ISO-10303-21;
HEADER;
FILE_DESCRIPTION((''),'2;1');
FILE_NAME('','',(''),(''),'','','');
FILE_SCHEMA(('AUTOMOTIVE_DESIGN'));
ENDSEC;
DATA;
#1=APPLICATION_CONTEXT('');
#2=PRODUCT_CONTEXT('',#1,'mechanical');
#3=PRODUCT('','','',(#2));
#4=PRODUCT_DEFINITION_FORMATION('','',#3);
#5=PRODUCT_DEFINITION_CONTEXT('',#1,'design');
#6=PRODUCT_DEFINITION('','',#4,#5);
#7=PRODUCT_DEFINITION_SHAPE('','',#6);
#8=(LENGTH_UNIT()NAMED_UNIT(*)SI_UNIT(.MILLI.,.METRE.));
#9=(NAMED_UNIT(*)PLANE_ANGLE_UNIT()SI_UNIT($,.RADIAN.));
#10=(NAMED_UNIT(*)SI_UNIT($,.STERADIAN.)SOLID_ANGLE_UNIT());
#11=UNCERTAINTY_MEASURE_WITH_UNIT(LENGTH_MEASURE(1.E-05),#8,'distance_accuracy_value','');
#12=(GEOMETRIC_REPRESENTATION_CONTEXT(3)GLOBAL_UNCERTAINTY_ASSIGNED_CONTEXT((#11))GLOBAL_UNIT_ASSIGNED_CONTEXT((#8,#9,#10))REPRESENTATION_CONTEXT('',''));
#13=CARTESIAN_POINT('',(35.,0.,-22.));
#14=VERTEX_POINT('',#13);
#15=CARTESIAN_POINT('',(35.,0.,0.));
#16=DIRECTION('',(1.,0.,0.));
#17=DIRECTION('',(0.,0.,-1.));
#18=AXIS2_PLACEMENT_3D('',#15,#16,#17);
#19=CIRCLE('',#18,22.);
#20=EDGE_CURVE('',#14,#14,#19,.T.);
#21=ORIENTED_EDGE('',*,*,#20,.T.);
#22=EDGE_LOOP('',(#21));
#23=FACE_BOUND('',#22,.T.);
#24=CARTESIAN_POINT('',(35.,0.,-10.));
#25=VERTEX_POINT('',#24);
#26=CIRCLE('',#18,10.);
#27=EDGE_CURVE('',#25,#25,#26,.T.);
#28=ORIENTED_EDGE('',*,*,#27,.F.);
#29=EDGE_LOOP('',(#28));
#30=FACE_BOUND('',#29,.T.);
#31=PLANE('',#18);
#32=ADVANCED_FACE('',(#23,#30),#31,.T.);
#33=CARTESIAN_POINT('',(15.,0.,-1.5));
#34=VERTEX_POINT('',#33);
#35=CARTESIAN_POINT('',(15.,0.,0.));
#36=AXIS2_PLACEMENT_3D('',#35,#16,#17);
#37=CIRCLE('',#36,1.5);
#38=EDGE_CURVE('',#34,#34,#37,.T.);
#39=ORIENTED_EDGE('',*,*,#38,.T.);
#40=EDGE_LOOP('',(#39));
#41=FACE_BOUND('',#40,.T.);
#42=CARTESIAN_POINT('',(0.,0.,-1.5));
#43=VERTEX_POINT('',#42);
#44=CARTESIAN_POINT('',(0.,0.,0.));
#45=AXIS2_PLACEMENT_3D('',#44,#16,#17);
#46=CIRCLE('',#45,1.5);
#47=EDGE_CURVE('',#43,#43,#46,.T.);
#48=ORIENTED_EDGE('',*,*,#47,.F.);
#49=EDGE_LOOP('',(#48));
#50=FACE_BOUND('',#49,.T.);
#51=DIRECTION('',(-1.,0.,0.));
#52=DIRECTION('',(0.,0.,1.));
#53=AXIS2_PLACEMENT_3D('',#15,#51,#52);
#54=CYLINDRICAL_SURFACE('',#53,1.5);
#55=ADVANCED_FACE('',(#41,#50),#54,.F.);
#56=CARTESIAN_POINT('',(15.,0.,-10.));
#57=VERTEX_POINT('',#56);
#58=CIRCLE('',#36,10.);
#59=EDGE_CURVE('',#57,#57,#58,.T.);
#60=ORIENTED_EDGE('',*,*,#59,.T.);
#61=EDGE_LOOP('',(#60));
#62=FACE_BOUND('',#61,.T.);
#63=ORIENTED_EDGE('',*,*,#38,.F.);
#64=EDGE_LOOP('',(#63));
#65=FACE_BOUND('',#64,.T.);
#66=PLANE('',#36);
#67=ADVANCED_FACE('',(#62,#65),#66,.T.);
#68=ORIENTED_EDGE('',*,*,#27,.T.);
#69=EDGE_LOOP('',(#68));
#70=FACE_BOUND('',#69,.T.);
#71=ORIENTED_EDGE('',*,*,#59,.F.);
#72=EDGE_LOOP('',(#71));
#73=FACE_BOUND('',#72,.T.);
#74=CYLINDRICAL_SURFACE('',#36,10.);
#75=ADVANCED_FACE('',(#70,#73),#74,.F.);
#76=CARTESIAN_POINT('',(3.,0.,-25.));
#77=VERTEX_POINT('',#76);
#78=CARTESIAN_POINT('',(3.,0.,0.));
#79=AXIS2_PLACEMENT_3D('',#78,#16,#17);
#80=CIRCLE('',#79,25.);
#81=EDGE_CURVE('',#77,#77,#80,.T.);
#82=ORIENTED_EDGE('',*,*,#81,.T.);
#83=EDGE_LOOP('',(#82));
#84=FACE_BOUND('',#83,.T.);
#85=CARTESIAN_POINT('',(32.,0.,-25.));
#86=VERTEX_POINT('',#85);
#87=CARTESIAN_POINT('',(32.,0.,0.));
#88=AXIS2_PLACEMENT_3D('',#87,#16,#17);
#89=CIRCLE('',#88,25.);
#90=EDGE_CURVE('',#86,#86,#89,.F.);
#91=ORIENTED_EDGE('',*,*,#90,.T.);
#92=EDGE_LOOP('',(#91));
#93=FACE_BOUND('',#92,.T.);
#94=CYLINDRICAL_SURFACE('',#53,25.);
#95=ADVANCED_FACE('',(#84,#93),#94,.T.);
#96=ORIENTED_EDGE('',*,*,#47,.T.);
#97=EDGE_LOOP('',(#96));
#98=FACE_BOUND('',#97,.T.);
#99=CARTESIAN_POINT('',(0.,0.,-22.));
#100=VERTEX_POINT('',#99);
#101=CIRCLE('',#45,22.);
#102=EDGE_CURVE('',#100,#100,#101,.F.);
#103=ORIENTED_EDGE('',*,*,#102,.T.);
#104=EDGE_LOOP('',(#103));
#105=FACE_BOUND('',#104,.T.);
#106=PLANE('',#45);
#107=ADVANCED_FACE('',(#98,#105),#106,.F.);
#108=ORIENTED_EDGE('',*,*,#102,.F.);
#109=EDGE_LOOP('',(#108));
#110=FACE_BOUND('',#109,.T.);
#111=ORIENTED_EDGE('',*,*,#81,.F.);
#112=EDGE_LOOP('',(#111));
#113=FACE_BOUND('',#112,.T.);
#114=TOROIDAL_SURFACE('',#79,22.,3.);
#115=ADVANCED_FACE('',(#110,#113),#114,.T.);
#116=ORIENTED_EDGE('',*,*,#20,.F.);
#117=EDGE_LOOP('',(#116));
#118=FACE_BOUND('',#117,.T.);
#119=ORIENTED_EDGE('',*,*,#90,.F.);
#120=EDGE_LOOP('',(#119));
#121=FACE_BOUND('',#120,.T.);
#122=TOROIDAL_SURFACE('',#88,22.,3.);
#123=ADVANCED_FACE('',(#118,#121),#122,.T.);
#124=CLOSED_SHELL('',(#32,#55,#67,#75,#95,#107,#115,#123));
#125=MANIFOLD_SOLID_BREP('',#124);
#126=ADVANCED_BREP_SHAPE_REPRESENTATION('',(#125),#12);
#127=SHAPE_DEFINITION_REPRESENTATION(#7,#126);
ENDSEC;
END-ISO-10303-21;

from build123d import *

# Parameters (mm, degrees)
SKETCH1_R           = 25
SKETCH1_R_2         = 1.5
BOSS_EXTRUDE1_DEPTH = 35
SKETCH2_R           = 10
CUT_EXTRUDE1_DEPTH  = 20
FILLET2_R           = 3
FILLET3_R           = 3


with BuildPart() as part:
    # Sketch1 → Boss-Extrude1 (new body)
    with BuildSketch(Plane.YZ):
        with Locations(Location((0, 0, 0), (0, 0, 270))):
            Circle(SKETCH1_R)
        with Locations(Location((0, 0, 0), (0, 0, 270))):
            Circle(SKETCH1_R_2, mode=Mode.SUBTRACT)
    extrude(amount=BOSS_EXTRUDE1_DEPTH)

    # Sketch2 → Cut-Extrude1 (cut)
    with BuildSketch(Plane.YZ.offset(35)):
        with Locations(Location((0, 0, 0), (0, 0, 270))):
            Circle(SKETCH2_R)
    extrude(amount=-CUT_EXTRUDE1_DEPTH, mode=Mode.SUBTRACT)

    # Fillet2
    fillet2_edges = [part.edges().sort_by_distance(p)[0] for p in [
        (0, 0, 25),
    ]]
    fillet(fillet2_edges, radius=FILLET2_R)

    # Fillet3
    fillet3_edges = [part.edges().sort_by_distance(p)[0] for p in [
        (35, 0, 25),
    ]]
    fillet(fillet3_edges, radius=FILLET3_R)


solid = part.part
